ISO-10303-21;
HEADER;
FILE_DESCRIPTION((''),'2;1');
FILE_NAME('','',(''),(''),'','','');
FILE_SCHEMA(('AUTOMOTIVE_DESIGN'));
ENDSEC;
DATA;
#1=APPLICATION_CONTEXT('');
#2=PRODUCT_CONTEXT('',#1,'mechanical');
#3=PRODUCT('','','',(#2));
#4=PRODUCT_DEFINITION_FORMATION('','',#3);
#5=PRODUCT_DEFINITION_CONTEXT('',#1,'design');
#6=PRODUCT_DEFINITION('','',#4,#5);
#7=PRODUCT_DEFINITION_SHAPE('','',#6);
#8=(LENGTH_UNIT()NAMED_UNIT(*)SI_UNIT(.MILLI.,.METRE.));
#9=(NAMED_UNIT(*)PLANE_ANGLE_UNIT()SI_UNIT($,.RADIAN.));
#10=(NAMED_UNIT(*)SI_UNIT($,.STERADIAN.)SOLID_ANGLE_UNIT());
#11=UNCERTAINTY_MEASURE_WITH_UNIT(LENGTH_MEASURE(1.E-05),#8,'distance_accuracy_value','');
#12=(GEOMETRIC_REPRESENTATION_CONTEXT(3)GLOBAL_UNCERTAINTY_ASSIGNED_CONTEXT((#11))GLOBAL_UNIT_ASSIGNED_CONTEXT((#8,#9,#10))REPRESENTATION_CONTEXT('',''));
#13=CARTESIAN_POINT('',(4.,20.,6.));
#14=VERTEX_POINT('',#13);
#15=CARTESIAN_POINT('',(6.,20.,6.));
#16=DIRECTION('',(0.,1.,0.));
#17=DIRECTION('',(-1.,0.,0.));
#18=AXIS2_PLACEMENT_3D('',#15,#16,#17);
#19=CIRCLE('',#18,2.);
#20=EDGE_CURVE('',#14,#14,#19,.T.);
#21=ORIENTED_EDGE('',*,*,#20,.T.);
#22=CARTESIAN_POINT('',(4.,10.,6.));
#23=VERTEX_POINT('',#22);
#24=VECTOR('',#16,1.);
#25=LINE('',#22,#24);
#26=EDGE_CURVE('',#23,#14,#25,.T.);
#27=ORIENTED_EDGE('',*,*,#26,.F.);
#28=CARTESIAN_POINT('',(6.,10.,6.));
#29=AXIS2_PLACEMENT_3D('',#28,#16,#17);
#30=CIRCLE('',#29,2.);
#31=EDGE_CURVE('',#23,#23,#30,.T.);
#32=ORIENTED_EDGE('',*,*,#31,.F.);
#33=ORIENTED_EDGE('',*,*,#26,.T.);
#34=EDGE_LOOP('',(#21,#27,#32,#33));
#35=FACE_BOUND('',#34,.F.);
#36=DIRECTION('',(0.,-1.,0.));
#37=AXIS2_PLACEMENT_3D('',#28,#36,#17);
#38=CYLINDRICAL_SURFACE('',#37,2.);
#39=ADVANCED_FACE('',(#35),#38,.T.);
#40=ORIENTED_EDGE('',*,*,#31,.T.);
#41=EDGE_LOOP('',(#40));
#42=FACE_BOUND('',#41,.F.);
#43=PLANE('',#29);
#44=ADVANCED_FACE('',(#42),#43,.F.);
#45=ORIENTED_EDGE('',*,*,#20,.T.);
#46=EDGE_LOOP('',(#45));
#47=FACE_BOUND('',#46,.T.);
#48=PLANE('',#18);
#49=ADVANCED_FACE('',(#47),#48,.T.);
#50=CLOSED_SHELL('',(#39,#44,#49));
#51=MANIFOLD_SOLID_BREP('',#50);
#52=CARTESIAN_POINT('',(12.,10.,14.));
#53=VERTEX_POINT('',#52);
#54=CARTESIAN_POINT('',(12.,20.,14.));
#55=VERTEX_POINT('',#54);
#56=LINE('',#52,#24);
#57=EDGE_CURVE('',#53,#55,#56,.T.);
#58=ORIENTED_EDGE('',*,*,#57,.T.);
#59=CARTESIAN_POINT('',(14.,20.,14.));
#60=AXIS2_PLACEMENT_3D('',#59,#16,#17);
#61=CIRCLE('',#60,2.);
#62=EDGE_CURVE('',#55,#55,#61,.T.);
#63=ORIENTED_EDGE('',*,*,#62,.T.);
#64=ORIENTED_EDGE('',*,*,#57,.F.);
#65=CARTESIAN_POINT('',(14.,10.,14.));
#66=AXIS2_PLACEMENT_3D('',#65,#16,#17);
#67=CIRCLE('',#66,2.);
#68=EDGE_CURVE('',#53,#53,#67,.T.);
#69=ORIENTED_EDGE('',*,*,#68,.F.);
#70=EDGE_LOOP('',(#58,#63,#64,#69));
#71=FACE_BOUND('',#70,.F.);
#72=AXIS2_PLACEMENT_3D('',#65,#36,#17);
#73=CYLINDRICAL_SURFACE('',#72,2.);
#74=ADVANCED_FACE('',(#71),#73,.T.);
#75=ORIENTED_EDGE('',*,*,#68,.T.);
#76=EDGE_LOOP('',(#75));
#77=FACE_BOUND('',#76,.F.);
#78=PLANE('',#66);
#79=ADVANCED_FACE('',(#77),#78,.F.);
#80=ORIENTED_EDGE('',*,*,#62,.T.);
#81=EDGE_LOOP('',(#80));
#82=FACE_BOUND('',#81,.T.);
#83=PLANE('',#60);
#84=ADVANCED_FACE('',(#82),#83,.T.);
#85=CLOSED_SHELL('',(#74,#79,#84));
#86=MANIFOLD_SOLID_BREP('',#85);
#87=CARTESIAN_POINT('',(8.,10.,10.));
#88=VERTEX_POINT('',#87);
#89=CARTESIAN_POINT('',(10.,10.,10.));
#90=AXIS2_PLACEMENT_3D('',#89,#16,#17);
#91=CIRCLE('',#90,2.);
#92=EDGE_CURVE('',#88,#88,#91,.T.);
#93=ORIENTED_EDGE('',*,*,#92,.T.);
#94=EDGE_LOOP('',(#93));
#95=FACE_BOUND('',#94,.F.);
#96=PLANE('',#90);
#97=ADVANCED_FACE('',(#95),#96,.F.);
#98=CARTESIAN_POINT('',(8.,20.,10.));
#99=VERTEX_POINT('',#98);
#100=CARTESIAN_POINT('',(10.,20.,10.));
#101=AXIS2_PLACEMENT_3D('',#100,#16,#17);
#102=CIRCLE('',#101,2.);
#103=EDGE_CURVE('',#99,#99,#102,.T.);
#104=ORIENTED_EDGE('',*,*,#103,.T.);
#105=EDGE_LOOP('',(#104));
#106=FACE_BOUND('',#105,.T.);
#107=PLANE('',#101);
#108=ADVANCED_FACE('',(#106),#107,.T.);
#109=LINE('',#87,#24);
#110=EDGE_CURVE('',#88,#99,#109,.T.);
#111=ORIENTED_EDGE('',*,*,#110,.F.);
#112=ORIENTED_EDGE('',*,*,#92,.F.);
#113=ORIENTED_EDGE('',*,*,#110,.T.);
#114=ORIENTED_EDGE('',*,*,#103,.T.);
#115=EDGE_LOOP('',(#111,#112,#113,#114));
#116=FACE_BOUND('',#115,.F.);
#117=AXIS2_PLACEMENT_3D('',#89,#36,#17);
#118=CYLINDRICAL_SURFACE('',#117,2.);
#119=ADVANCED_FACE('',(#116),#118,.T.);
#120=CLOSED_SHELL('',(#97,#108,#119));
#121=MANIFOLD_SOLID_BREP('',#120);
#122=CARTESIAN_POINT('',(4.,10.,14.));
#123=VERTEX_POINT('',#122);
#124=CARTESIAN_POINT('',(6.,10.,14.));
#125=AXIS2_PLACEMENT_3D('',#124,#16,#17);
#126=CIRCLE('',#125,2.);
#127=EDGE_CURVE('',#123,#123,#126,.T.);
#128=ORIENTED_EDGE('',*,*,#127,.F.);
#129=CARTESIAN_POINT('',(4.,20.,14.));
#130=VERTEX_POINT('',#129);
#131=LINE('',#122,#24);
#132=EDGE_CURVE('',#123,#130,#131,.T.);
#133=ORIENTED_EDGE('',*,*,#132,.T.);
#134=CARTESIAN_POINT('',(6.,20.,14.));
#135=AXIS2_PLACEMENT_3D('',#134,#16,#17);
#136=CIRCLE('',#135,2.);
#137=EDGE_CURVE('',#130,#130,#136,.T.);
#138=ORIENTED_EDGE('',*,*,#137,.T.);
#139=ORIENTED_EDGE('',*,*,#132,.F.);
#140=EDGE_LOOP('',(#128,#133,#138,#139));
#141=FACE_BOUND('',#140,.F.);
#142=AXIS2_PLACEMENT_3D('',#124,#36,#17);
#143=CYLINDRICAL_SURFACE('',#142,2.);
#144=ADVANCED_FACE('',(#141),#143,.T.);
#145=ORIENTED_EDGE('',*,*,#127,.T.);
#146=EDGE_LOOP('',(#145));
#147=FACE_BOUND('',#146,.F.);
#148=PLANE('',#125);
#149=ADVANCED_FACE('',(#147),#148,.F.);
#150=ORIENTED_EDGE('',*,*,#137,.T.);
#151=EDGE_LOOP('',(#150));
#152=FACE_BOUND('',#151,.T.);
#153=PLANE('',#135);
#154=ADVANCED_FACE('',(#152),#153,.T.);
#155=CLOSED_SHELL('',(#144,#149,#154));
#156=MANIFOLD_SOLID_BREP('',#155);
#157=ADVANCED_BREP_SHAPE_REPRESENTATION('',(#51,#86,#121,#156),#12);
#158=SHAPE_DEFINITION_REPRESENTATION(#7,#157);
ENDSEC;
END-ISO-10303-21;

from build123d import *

# Parameters (mm, degrees)
CYLINDER011_R     = 2
CYLINDER011_DEPTH = 10
CYLINDER010_R     = 2
CYLINDER010_DEPTH = 10
CYLINDER009_R     = 2
CYLINDER009_DEPTH = 10
CYLINDER008_R     = 2
CYLINDER008_DEPTH = 10


with BuildPart() as cilindre011:
    # Cylinder011 → Cylinder011 (new body)
    with BuildSketch(Plane(origin=(14, 10, 14), x_dir=(-1, 0, 0), z_dir=(0, 1, 0))):
        Circle(CYLINDER011_R)
    extrude(amount=CYLINDER011_DEPTH)


with BuildPart() as cilindre010:
    # Cylinder010 → Cylinder010 (new body)
    with BuildSketch(Plane(origin=(6, 10, 14), x_dir=(-1, 0, 0), z_dir=(0, 1, 0))):
        Circle(CYLINDER010_R)
    extrude(amount=CYLINDER010_DEPTH)


with BuildPart() as cilindre009:
    # Cylinder009 → Cylinder009 (new body)
    with BuildSketch(Plane(origin=(6, 10, 6), x_dir=(-1, 0, 0), z_dir=(0, 1, 0))):
        Circle(CYLINDER009_R)
    extrude(amount=CYLINDER009_DEPTH)


with BuildPart() as fusion005:
    # Cylinder008 → Cylinder008 (new body)
    with BuildSketch(Plane(origin=(10, 10, 10), x_dir=(-1, 0, 0), z_dir=(0, 1, 0))):
        Circle(CYLINDER008_R)
    extrude(amount=CYLINDER008_DEPTH)

    # Fusion003: union Cilindre009
    add(cilindre009.part)

    # Fusion004: union Cilindre010
    add(cilindre010.part)

    # Fusion005: union Cilindre011
    add(cilindre011.part)


solid = fusion005.part
